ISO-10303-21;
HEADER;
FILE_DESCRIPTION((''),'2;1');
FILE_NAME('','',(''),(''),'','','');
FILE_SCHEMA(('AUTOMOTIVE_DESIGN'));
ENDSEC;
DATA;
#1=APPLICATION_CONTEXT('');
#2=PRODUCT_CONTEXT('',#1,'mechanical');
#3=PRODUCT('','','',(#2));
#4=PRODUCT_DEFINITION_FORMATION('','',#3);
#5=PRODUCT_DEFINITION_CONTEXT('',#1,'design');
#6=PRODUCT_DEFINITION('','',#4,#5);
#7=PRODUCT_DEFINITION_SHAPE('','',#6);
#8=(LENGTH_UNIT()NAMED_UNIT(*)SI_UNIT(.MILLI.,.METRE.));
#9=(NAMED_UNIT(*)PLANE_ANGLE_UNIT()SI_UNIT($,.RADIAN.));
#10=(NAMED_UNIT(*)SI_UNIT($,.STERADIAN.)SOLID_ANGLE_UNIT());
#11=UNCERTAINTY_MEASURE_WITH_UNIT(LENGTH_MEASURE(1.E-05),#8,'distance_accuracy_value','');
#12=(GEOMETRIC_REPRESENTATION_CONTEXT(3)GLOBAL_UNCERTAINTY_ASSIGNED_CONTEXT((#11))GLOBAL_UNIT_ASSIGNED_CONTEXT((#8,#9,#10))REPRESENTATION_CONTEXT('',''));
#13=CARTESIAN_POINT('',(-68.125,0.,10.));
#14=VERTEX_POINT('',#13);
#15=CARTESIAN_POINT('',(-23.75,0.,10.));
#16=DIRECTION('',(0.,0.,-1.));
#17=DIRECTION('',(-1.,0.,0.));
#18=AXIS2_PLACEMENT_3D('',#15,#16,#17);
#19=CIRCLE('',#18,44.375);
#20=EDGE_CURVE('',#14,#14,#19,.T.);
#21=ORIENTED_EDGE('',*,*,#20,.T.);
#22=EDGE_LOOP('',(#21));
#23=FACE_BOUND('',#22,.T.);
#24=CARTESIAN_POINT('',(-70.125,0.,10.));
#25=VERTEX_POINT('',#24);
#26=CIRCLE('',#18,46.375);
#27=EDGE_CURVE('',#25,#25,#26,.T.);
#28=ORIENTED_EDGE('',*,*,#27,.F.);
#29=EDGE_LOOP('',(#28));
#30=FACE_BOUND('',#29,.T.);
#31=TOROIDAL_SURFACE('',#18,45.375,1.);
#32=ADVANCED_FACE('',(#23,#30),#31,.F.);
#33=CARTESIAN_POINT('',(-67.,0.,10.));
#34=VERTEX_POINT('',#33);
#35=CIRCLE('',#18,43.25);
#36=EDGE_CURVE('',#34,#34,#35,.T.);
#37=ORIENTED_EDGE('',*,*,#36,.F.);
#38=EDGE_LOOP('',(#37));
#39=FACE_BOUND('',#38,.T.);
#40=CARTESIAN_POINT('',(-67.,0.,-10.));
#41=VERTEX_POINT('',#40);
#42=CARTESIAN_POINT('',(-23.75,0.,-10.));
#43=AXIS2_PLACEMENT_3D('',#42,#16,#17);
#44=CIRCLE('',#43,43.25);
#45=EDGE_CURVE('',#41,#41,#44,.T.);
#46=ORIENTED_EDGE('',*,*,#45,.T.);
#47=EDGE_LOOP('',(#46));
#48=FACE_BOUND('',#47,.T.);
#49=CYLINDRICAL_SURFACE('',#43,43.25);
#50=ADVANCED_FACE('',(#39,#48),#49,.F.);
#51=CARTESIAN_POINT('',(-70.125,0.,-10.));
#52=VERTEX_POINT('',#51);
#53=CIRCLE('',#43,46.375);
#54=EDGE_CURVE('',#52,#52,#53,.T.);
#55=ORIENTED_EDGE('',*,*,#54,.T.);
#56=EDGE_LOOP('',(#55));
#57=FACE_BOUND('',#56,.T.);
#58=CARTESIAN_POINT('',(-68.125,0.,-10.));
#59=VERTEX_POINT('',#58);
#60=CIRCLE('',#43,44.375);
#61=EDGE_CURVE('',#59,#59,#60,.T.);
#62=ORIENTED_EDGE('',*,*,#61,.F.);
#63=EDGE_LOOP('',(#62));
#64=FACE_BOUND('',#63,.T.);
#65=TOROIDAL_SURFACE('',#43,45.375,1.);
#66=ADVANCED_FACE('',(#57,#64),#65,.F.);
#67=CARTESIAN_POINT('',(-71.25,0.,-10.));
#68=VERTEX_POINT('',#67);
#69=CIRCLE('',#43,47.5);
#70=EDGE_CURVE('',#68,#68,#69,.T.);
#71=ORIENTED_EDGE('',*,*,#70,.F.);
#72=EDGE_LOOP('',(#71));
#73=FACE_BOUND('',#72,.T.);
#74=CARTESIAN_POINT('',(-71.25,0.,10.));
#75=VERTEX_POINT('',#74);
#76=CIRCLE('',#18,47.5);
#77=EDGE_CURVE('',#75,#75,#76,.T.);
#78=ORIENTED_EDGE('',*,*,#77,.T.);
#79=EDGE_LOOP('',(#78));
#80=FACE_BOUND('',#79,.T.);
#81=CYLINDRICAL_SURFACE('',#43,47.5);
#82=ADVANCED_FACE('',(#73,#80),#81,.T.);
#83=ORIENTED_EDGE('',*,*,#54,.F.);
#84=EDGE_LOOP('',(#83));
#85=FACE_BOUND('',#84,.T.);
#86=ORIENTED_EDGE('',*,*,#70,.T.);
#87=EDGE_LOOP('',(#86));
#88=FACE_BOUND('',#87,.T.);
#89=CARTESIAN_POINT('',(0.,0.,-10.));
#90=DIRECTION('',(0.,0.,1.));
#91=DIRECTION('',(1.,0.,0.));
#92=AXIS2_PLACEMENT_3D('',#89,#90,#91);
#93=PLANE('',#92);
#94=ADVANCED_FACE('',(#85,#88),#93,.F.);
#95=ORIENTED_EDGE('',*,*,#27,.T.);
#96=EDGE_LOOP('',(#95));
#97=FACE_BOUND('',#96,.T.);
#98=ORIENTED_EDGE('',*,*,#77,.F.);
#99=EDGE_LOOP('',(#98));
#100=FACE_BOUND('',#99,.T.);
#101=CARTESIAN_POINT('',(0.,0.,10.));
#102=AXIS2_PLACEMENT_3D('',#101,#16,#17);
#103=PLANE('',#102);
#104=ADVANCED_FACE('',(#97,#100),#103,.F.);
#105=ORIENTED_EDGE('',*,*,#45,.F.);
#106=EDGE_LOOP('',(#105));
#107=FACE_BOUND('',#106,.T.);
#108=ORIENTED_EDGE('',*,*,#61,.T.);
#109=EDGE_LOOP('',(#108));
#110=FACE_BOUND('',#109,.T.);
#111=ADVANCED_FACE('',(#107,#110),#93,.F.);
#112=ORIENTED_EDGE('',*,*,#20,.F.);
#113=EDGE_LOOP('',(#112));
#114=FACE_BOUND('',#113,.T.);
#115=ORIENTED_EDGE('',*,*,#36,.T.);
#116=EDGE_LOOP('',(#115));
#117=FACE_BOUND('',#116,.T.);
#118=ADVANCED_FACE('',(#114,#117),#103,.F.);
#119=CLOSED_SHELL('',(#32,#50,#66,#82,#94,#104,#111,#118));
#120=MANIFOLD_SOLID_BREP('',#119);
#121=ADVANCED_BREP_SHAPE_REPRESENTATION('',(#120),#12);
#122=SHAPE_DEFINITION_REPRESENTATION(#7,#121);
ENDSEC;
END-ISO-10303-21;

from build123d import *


with BuildPart() as part:
    # Sketch1 → Revolve1 (revolve)
    with BuildSketch(Plane(origin=(0, 0, 0), x_dir=(1, 0, 0), z_dir=(0, 1, 0)), mode=Mode.PRIVATE) as revolve1_sk:
        with BuildLine():
            Line((23.75, -10), (23.75, 10))
            Line((23.75, 10), (22.625, 10))
            ThreePointArc((22.625, 10), (21.625, 9), (20.625, 10))
            Line((20.625, 10), (19.5, 10))
            Line((19.5, 10), (19.5, -10))
            Line((19.5, -10), (20.625, -10))
            ThreePointArc((20.625, -10), (21.625, -9), (22.625, -10))
            Line((22.625, -10), (23.75, -10))
        make_face()
    revolve(revolve1_sk.sketch.rotate(Axis((-23.75, 0, -10), (0, 0, 1)), 180), axis=Axis((-23.75, 0, -10), (0, 0, 1)))


solid = part.part
